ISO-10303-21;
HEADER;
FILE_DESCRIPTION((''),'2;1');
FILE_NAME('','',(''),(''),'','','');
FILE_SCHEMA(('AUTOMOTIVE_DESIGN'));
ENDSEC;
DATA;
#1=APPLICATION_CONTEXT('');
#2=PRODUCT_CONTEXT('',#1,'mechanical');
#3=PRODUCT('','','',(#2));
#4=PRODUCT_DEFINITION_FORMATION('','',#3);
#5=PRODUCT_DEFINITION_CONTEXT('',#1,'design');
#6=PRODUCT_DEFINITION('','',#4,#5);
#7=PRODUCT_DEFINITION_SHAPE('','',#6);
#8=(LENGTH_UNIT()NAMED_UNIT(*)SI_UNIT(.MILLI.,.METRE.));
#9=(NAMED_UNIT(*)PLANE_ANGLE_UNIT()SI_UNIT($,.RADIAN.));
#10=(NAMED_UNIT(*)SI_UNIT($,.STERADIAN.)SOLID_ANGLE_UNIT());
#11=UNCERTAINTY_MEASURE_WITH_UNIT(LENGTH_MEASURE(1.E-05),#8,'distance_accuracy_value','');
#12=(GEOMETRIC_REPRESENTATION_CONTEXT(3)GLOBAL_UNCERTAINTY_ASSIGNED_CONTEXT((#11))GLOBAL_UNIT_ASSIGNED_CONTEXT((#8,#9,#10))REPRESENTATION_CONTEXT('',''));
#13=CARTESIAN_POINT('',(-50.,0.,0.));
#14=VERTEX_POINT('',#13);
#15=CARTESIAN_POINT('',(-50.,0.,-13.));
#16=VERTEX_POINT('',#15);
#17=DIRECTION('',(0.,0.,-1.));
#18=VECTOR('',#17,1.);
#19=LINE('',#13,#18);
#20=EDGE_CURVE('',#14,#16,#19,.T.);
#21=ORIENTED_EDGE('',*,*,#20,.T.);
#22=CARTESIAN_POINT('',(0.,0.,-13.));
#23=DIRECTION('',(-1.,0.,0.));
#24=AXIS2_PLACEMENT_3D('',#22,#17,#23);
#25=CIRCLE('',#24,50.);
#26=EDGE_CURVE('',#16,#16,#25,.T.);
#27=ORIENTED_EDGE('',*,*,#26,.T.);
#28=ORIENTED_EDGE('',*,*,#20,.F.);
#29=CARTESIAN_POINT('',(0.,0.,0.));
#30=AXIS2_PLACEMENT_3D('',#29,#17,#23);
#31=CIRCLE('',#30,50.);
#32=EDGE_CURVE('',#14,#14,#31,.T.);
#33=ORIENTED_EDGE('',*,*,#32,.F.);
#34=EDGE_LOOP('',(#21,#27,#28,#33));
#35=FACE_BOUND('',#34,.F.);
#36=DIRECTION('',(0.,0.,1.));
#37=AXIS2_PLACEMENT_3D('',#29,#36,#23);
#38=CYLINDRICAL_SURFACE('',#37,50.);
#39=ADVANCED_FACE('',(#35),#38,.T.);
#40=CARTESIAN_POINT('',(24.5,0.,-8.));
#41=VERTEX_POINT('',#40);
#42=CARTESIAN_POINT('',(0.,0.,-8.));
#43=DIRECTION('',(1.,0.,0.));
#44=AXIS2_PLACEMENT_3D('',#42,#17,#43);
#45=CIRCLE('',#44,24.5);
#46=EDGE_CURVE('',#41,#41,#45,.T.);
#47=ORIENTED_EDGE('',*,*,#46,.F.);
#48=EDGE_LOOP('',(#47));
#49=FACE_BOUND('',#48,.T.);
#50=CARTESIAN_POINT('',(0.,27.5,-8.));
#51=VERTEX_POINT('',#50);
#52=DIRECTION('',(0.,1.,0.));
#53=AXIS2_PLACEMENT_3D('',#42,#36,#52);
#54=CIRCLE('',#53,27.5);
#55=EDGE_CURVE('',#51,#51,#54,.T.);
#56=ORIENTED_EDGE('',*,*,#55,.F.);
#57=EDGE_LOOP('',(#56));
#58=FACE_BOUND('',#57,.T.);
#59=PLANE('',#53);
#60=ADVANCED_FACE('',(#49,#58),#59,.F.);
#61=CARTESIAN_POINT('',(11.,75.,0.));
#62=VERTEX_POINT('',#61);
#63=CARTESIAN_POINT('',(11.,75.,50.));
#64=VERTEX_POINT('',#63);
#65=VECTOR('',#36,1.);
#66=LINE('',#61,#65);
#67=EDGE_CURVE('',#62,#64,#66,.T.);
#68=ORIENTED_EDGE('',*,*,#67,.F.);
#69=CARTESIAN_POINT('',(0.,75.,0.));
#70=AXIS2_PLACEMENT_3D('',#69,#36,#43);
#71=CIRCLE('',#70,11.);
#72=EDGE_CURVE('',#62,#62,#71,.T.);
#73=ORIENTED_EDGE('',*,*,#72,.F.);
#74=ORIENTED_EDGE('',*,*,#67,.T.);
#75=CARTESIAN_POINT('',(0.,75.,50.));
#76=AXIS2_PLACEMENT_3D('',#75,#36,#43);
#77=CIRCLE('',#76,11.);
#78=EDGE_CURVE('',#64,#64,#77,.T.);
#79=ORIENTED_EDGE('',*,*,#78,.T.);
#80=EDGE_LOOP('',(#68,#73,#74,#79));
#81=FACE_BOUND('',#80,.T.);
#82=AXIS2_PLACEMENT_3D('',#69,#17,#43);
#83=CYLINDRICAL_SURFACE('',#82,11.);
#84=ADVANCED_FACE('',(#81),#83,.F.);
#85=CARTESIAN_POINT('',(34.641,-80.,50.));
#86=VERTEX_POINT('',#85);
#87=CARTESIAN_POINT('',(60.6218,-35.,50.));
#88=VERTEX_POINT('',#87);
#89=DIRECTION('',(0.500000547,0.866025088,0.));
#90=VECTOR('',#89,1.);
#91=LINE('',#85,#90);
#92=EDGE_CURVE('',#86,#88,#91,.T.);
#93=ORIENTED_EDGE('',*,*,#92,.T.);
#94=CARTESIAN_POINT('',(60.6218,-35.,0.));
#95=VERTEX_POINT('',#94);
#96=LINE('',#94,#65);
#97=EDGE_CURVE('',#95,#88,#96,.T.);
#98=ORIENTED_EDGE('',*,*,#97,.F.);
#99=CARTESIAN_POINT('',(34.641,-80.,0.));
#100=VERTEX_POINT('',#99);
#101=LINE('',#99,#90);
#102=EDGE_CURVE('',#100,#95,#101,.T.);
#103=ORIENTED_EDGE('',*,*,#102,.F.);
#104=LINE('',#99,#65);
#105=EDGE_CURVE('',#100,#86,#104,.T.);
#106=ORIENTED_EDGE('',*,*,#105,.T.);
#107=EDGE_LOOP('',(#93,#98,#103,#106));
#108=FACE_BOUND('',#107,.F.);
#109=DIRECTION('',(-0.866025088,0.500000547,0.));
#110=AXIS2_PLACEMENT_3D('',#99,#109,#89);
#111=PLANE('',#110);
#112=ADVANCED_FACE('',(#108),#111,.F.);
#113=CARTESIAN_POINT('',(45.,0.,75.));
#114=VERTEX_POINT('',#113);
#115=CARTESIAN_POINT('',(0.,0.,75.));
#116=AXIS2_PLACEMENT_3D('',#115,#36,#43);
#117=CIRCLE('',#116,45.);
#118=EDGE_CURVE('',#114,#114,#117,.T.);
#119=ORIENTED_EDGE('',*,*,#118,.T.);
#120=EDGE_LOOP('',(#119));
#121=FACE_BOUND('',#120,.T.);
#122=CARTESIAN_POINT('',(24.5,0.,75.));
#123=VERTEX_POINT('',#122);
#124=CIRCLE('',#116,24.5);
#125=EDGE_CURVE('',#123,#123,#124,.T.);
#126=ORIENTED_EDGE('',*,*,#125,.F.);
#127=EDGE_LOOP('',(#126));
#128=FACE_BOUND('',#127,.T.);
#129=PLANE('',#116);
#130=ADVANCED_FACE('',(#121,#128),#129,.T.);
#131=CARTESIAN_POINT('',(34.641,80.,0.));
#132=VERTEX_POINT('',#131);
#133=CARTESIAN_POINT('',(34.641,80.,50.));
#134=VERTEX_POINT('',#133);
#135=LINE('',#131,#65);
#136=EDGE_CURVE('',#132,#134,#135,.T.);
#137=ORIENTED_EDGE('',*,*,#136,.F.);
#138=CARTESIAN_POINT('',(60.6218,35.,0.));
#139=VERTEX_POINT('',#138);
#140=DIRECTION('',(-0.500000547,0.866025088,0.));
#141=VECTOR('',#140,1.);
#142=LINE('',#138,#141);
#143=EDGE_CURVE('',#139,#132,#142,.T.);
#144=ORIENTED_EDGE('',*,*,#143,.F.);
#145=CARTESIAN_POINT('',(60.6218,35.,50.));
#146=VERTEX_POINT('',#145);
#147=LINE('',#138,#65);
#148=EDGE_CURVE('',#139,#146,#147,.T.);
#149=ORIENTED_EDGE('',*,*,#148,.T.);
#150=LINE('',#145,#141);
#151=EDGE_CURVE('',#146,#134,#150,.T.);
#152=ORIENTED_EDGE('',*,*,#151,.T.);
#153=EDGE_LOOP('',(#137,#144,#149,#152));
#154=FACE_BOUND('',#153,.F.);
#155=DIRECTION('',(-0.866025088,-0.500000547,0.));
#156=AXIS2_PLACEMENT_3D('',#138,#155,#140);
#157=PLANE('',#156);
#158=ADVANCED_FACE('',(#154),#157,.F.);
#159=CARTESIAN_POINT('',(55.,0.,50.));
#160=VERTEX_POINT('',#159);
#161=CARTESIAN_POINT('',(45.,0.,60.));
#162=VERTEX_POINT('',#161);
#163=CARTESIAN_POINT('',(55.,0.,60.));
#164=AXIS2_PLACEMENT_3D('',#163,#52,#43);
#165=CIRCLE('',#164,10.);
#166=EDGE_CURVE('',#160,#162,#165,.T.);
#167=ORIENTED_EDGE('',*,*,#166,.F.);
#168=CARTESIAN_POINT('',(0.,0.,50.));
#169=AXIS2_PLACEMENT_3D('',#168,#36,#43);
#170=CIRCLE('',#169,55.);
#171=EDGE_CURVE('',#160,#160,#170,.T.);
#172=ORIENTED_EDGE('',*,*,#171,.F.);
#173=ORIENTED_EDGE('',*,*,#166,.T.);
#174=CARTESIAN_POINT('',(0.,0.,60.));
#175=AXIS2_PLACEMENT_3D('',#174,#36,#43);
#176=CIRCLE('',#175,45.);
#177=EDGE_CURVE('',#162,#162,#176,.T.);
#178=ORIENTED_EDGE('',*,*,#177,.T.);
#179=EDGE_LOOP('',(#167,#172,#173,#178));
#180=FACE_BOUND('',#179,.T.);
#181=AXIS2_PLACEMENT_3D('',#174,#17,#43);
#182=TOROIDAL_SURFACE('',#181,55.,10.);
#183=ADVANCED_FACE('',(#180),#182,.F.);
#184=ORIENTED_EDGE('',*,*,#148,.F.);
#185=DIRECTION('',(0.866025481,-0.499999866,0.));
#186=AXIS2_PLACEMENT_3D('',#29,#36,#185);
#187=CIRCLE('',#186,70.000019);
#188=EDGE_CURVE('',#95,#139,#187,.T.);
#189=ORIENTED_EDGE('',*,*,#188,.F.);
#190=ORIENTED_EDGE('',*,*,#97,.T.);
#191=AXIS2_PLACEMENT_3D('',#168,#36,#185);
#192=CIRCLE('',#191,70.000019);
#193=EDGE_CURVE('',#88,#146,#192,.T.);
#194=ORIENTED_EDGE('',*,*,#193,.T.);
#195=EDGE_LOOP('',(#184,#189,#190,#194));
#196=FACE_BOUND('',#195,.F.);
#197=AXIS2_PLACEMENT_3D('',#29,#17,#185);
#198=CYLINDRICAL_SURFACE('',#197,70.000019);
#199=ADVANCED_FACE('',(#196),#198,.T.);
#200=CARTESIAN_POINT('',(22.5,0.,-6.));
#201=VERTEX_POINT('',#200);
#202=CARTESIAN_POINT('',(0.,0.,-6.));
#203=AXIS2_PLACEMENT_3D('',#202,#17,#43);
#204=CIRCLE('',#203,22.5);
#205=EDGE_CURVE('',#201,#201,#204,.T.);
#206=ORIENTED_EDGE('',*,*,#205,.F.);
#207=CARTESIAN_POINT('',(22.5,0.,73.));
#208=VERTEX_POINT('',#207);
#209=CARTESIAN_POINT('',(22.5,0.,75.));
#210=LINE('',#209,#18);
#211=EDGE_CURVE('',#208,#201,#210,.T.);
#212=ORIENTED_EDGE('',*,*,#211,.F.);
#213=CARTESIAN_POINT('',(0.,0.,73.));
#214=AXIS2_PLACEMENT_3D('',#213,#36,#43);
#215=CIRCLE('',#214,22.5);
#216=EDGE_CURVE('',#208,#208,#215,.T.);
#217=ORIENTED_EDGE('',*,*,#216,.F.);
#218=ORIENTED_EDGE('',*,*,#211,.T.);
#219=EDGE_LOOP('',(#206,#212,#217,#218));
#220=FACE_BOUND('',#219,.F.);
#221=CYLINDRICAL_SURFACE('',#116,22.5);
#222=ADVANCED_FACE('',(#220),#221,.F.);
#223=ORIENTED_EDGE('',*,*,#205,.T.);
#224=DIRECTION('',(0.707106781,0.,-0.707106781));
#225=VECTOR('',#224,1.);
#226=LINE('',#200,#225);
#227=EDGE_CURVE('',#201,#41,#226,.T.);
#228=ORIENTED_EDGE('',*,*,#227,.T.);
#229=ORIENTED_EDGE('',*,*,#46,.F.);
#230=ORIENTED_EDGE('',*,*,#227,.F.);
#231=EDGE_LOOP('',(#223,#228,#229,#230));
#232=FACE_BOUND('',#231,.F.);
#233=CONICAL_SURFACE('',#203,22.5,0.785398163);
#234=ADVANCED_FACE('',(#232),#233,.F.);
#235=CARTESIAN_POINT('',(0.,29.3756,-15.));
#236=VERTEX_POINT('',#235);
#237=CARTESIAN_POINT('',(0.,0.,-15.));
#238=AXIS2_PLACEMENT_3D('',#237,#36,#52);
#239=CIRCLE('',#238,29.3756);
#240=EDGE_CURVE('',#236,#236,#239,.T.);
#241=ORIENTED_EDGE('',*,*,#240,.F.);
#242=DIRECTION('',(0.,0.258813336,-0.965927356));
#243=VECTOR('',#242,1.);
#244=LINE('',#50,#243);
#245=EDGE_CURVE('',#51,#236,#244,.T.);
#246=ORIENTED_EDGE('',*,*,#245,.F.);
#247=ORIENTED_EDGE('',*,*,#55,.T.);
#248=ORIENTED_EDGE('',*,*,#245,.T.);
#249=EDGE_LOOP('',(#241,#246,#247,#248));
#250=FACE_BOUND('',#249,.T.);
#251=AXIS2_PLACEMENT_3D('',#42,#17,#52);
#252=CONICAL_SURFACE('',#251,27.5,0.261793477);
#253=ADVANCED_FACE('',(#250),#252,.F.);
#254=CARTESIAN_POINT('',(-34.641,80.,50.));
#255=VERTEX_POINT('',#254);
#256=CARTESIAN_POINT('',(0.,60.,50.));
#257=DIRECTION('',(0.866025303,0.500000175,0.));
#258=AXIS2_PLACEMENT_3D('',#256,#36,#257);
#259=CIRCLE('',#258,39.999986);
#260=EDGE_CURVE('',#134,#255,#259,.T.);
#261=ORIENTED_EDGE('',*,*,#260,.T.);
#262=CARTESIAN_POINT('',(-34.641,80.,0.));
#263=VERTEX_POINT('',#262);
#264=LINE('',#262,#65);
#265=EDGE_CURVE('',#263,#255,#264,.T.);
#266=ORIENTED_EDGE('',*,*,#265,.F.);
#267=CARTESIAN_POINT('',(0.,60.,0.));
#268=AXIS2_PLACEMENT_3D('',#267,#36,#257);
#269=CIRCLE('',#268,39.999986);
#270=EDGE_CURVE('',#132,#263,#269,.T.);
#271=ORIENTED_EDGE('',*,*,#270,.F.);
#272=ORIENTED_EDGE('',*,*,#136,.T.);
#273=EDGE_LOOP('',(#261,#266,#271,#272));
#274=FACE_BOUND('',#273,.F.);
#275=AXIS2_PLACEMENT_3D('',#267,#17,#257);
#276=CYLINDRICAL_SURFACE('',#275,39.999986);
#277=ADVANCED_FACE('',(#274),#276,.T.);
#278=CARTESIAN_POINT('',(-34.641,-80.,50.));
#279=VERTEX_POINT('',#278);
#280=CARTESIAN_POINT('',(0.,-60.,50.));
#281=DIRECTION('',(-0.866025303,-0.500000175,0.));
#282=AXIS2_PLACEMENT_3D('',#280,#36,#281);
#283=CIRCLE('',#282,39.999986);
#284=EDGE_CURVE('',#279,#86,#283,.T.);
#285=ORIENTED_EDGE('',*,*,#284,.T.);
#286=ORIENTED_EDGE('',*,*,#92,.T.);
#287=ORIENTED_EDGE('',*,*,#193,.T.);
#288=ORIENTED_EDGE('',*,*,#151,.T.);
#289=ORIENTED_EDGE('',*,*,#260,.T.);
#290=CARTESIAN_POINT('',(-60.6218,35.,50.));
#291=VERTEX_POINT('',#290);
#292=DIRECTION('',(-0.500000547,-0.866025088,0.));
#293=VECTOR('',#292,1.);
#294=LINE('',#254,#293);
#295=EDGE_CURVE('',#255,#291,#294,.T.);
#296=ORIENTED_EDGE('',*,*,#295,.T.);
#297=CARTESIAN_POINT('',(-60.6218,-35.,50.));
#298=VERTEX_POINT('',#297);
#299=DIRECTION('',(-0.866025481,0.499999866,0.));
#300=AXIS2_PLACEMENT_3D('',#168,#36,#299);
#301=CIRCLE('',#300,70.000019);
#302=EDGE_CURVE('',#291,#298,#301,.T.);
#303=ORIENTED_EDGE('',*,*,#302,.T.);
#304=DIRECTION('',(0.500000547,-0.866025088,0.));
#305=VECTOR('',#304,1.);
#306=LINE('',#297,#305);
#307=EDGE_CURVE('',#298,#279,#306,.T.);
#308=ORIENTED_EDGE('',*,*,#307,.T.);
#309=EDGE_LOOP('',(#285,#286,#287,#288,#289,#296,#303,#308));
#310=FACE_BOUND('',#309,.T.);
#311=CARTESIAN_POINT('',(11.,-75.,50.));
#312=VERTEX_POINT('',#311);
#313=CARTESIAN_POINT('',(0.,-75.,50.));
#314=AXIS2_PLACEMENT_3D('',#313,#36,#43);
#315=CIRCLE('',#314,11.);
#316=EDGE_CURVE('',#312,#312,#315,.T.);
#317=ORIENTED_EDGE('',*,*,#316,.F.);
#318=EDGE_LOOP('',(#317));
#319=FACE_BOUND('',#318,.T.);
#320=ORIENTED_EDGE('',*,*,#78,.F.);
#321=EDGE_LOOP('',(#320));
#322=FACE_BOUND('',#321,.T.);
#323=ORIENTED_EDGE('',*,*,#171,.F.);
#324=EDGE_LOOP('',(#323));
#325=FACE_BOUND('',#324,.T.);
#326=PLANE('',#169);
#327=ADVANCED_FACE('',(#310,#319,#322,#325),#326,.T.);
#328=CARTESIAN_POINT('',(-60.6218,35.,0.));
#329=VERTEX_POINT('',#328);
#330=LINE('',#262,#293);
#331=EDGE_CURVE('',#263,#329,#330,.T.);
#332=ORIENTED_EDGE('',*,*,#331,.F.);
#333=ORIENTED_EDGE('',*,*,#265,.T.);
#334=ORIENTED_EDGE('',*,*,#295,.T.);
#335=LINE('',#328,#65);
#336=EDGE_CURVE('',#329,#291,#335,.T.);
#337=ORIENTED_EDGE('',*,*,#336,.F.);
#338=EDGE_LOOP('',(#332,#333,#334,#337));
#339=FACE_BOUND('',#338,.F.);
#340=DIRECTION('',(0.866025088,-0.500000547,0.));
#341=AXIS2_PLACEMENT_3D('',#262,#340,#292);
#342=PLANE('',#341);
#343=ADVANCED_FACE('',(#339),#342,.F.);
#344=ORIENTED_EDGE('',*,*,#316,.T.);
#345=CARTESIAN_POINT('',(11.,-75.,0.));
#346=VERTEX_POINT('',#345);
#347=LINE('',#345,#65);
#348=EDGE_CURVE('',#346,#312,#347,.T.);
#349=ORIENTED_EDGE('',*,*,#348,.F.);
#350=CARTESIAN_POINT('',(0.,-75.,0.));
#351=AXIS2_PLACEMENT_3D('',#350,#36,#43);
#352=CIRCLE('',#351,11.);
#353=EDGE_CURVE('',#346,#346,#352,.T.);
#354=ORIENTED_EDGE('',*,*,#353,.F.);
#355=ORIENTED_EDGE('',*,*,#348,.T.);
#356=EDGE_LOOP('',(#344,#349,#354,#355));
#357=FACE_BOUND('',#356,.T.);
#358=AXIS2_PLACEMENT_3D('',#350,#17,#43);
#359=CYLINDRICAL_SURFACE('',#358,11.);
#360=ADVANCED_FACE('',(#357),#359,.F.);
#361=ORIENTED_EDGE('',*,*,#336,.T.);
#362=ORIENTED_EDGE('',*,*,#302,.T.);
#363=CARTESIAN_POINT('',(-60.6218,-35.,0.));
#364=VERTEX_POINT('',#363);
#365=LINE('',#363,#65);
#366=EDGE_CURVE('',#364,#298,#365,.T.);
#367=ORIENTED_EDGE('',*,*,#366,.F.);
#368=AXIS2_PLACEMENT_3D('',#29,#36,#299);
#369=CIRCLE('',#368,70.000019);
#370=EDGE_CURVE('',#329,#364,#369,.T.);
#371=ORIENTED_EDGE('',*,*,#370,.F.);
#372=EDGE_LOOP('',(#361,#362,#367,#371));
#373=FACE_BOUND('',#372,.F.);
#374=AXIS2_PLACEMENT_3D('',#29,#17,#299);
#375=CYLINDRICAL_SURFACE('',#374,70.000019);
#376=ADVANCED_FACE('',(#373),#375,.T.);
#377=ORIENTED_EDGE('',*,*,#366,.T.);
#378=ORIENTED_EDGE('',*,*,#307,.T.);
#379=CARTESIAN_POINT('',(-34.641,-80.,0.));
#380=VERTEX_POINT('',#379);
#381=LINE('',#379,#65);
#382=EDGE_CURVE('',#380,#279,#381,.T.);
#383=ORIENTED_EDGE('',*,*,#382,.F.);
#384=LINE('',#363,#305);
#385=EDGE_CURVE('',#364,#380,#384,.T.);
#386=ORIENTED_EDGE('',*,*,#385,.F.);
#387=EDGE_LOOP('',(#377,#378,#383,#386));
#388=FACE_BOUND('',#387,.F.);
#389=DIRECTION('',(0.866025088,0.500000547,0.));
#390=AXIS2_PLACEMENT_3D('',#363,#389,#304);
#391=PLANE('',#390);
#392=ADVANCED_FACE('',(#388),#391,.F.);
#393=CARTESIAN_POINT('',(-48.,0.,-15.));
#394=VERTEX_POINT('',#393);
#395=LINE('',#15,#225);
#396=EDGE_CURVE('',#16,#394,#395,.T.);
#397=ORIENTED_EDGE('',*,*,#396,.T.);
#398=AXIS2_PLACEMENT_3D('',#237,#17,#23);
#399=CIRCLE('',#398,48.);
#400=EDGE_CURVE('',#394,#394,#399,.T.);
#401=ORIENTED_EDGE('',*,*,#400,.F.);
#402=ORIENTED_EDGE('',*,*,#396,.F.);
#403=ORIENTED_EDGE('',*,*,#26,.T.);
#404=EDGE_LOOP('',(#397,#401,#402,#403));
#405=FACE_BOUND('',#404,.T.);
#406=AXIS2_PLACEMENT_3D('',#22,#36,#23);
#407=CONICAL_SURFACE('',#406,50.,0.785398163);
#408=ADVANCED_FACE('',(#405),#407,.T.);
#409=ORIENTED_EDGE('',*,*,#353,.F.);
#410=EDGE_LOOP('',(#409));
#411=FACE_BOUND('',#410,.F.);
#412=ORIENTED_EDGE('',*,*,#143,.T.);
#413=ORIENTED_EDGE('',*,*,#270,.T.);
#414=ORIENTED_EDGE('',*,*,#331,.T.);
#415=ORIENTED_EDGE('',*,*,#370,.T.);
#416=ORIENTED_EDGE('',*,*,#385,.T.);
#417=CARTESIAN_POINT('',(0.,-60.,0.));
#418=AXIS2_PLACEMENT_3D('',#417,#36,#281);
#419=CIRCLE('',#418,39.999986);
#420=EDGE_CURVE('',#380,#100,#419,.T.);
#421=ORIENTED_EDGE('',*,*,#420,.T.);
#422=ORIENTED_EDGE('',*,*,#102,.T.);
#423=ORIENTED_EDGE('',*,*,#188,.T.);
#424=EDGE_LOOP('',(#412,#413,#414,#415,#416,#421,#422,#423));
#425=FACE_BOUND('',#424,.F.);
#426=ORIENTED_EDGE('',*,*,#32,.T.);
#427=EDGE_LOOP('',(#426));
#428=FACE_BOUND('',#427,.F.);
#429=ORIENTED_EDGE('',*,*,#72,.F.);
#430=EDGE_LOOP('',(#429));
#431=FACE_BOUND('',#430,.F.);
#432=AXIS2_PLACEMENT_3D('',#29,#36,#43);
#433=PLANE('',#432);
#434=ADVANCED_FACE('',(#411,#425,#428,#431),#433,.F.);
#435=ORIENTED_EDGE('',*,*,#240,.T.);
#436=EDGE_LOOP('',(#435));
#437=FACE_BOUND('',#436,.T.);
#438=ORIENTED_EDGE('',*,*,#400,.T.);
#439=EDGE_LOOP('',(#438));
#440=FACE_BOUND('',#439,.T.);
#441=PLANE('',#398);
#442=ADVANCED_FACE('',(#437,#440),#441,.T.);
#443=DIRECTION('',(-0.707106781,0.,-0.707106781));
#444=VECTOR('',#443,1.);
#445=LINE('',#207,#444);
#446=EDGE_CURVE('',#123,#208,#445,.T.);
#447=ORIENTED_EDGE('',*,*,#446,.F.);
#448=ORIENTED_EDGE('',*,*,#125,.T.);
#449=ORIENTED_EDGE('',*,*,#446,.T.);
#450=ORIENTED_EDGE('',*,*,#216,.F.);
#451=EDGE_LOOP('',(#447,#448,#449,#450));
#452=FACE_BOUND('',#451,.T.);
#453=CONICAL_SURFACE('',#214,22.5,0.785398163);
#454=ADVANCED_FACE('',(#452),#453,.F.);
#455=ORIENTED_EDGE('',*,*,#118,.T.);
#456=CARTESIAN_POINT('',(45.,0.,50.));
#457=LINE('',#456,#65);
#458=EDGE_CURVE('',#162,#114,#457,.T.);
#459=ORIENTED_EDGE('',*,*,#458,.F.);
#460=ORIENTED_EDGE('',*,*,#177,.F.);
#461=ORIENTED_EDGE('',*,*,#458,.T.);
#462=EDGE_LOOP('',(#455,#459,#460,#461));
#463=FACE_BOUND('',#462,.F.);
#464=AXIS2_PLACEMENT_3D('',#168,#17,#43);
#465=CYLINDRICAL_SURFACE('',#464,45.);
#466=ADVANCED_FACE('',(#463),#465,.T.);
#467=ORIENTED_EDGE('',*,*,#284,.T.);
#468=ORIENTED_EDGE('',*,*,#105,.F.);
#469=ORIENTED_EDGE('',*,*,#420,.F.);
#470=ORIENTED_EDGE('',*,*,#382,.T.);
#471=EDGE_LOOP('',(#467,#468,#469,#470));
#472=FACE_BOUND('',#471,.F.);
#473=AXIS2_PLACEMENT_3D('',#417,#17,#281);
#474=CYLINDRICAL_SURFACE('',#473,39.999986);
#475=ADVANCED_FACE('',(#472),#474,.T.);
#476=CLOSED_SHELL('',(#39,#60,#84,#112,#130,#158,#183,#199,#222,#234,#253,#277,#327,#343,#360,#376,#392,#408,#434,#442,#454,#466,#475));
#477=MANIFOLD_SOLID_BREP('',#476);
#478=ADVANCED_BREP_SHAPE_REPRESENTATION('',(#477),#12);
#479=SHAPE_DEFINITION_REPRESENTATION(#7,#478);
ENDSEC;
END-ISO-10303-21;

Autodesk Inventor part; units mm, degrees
ref_plane "YZ Plane" through (0, 0, 0) normal (1, 0, 0) x (0, 1, 0)
ref_plane "XZ Plane" through (0, 0, 0) normal (0, 1, 0) x (-1, 0, 0)
ref_plane "XY Plane" through (0, 0, 0) normal (0, 0, 1) x (1, 0, 0)
ref_plane "РабПлоскость1" through (0, 0, 0) normal (0, 0, 1) x (1, 0, 0)
sketch "Эскиз1" plane through (0, 0, 0) normal (0, 0, 1) x (1, 0, 0)
  circle A0 centre (0, 75) radius 8 projected
  circle A1 centre (0, -75) radius 8 projected
  line L0 (34.641, -80) -> (60.6218, -35) projected
  arc A2 (60.6218, -35) -> (60.6218, 35) centre (0, 0) ccw projected
  line L1 (60.6218, 35) -> (34.641, 80) projected
  arc A3 (34.641, 80) -> (-34.641, 80) centre (0, 60) ccw projected
  line L2 (-34.641, 80) -> (-60.6218, 35) projected
  arc A4 (-60.6218, 35) -> (-60.6218, -35) centre (0, 0) ccw projected
  line L3 (-60.6218, -35) -> (-34.641, -80) projected
  arc A5 (-34.641, -80) -> (34.641, -80) centre (0, -60) ccw projected
  circle A6 centre (0, 0) radius 50 projected
  circle A7 centre (0, 75) radius 11
  circle A8 centre (0, -75) radius 11
  point P0 (0, 0)
  dimension "d22" = 22
  dimension "d23" = 22
extrude "Выдавливание1" add sketch "Эскиз1" along normal blind 50 contours A5 L3 A4 L2 A3 L1 A2 L0 | A6
sketch "Эскиз2" plane through (0, 0, 0) normal (0, 0, -1) x (-1, 0, 0)
  circle A0 centre (0, 0) radius 50
  dimension "d2" = 100
extrude "Выдавливание2" add sketch "Эскиз2" along normal blind 15
sketch "Эскиз3" plane through (0, 0, 50) normal (0, 0, 1) x (1, 0, 0)
  circle A0 centre (0, 0) radius 45
  dimension "d5" = 90
extrude "Выдавливание3" add sketch "Эскиз3" along normal blind 25
fillet "Сопряжение1" radius 10 1 edges at (-45, 0, 50)
sketch "Эскиз4" plane through (0, 0, 75) normal (0, 0, 1) x (1, 0, 0)
  circle A0 centre (0, 0) radius 55 projected
  circle A1 centre (0, 0) radius 22.5
  dimension "d9" = 45
extrude "Выдавливание4" cut sketch "Эскиз4" against normal through all contours A1
chamfer "Фаска1" distance 2 angle 45 3 edges at (-22.5, 0, 75) (50, 0, -15) (-22.5, 0, -15)
sketch "Эскиз5" plane through (0, 0, 0) normal (1, 0, 0) x (0, 1, 0)
  line L0 (-24.5, -15) -> (24.5, -15) projected
  line L1 (48, -15) -> (-48, -15) projected
  line L2 (22.5, 73) -> (22.5, -13) projected
  line L3 (22.5, -15) -> (22.5, -8)
  line L4 (22.5, -8) -> (27.5, -8)
  line L5 (27.5, -8) -> (29.3756, -15)
  line L6 (0, -32.6) -> (0, 90.6) projected
  point P0 (0, 0)
  dimension "d15" = 7
  dimension "d16" = 5
  dimension "d17" = 105
revolve "Вращение1" cut sketch "Эскиз5" angle 360 about axis through (0, 0, -10) along (0, 0, 1)
chamfer "Фаска2" distance 2 angle 45 1 edges at (-22.5, 0, -8)
properties part number "Фланецгайка" material "Сталь, углеродистая"
